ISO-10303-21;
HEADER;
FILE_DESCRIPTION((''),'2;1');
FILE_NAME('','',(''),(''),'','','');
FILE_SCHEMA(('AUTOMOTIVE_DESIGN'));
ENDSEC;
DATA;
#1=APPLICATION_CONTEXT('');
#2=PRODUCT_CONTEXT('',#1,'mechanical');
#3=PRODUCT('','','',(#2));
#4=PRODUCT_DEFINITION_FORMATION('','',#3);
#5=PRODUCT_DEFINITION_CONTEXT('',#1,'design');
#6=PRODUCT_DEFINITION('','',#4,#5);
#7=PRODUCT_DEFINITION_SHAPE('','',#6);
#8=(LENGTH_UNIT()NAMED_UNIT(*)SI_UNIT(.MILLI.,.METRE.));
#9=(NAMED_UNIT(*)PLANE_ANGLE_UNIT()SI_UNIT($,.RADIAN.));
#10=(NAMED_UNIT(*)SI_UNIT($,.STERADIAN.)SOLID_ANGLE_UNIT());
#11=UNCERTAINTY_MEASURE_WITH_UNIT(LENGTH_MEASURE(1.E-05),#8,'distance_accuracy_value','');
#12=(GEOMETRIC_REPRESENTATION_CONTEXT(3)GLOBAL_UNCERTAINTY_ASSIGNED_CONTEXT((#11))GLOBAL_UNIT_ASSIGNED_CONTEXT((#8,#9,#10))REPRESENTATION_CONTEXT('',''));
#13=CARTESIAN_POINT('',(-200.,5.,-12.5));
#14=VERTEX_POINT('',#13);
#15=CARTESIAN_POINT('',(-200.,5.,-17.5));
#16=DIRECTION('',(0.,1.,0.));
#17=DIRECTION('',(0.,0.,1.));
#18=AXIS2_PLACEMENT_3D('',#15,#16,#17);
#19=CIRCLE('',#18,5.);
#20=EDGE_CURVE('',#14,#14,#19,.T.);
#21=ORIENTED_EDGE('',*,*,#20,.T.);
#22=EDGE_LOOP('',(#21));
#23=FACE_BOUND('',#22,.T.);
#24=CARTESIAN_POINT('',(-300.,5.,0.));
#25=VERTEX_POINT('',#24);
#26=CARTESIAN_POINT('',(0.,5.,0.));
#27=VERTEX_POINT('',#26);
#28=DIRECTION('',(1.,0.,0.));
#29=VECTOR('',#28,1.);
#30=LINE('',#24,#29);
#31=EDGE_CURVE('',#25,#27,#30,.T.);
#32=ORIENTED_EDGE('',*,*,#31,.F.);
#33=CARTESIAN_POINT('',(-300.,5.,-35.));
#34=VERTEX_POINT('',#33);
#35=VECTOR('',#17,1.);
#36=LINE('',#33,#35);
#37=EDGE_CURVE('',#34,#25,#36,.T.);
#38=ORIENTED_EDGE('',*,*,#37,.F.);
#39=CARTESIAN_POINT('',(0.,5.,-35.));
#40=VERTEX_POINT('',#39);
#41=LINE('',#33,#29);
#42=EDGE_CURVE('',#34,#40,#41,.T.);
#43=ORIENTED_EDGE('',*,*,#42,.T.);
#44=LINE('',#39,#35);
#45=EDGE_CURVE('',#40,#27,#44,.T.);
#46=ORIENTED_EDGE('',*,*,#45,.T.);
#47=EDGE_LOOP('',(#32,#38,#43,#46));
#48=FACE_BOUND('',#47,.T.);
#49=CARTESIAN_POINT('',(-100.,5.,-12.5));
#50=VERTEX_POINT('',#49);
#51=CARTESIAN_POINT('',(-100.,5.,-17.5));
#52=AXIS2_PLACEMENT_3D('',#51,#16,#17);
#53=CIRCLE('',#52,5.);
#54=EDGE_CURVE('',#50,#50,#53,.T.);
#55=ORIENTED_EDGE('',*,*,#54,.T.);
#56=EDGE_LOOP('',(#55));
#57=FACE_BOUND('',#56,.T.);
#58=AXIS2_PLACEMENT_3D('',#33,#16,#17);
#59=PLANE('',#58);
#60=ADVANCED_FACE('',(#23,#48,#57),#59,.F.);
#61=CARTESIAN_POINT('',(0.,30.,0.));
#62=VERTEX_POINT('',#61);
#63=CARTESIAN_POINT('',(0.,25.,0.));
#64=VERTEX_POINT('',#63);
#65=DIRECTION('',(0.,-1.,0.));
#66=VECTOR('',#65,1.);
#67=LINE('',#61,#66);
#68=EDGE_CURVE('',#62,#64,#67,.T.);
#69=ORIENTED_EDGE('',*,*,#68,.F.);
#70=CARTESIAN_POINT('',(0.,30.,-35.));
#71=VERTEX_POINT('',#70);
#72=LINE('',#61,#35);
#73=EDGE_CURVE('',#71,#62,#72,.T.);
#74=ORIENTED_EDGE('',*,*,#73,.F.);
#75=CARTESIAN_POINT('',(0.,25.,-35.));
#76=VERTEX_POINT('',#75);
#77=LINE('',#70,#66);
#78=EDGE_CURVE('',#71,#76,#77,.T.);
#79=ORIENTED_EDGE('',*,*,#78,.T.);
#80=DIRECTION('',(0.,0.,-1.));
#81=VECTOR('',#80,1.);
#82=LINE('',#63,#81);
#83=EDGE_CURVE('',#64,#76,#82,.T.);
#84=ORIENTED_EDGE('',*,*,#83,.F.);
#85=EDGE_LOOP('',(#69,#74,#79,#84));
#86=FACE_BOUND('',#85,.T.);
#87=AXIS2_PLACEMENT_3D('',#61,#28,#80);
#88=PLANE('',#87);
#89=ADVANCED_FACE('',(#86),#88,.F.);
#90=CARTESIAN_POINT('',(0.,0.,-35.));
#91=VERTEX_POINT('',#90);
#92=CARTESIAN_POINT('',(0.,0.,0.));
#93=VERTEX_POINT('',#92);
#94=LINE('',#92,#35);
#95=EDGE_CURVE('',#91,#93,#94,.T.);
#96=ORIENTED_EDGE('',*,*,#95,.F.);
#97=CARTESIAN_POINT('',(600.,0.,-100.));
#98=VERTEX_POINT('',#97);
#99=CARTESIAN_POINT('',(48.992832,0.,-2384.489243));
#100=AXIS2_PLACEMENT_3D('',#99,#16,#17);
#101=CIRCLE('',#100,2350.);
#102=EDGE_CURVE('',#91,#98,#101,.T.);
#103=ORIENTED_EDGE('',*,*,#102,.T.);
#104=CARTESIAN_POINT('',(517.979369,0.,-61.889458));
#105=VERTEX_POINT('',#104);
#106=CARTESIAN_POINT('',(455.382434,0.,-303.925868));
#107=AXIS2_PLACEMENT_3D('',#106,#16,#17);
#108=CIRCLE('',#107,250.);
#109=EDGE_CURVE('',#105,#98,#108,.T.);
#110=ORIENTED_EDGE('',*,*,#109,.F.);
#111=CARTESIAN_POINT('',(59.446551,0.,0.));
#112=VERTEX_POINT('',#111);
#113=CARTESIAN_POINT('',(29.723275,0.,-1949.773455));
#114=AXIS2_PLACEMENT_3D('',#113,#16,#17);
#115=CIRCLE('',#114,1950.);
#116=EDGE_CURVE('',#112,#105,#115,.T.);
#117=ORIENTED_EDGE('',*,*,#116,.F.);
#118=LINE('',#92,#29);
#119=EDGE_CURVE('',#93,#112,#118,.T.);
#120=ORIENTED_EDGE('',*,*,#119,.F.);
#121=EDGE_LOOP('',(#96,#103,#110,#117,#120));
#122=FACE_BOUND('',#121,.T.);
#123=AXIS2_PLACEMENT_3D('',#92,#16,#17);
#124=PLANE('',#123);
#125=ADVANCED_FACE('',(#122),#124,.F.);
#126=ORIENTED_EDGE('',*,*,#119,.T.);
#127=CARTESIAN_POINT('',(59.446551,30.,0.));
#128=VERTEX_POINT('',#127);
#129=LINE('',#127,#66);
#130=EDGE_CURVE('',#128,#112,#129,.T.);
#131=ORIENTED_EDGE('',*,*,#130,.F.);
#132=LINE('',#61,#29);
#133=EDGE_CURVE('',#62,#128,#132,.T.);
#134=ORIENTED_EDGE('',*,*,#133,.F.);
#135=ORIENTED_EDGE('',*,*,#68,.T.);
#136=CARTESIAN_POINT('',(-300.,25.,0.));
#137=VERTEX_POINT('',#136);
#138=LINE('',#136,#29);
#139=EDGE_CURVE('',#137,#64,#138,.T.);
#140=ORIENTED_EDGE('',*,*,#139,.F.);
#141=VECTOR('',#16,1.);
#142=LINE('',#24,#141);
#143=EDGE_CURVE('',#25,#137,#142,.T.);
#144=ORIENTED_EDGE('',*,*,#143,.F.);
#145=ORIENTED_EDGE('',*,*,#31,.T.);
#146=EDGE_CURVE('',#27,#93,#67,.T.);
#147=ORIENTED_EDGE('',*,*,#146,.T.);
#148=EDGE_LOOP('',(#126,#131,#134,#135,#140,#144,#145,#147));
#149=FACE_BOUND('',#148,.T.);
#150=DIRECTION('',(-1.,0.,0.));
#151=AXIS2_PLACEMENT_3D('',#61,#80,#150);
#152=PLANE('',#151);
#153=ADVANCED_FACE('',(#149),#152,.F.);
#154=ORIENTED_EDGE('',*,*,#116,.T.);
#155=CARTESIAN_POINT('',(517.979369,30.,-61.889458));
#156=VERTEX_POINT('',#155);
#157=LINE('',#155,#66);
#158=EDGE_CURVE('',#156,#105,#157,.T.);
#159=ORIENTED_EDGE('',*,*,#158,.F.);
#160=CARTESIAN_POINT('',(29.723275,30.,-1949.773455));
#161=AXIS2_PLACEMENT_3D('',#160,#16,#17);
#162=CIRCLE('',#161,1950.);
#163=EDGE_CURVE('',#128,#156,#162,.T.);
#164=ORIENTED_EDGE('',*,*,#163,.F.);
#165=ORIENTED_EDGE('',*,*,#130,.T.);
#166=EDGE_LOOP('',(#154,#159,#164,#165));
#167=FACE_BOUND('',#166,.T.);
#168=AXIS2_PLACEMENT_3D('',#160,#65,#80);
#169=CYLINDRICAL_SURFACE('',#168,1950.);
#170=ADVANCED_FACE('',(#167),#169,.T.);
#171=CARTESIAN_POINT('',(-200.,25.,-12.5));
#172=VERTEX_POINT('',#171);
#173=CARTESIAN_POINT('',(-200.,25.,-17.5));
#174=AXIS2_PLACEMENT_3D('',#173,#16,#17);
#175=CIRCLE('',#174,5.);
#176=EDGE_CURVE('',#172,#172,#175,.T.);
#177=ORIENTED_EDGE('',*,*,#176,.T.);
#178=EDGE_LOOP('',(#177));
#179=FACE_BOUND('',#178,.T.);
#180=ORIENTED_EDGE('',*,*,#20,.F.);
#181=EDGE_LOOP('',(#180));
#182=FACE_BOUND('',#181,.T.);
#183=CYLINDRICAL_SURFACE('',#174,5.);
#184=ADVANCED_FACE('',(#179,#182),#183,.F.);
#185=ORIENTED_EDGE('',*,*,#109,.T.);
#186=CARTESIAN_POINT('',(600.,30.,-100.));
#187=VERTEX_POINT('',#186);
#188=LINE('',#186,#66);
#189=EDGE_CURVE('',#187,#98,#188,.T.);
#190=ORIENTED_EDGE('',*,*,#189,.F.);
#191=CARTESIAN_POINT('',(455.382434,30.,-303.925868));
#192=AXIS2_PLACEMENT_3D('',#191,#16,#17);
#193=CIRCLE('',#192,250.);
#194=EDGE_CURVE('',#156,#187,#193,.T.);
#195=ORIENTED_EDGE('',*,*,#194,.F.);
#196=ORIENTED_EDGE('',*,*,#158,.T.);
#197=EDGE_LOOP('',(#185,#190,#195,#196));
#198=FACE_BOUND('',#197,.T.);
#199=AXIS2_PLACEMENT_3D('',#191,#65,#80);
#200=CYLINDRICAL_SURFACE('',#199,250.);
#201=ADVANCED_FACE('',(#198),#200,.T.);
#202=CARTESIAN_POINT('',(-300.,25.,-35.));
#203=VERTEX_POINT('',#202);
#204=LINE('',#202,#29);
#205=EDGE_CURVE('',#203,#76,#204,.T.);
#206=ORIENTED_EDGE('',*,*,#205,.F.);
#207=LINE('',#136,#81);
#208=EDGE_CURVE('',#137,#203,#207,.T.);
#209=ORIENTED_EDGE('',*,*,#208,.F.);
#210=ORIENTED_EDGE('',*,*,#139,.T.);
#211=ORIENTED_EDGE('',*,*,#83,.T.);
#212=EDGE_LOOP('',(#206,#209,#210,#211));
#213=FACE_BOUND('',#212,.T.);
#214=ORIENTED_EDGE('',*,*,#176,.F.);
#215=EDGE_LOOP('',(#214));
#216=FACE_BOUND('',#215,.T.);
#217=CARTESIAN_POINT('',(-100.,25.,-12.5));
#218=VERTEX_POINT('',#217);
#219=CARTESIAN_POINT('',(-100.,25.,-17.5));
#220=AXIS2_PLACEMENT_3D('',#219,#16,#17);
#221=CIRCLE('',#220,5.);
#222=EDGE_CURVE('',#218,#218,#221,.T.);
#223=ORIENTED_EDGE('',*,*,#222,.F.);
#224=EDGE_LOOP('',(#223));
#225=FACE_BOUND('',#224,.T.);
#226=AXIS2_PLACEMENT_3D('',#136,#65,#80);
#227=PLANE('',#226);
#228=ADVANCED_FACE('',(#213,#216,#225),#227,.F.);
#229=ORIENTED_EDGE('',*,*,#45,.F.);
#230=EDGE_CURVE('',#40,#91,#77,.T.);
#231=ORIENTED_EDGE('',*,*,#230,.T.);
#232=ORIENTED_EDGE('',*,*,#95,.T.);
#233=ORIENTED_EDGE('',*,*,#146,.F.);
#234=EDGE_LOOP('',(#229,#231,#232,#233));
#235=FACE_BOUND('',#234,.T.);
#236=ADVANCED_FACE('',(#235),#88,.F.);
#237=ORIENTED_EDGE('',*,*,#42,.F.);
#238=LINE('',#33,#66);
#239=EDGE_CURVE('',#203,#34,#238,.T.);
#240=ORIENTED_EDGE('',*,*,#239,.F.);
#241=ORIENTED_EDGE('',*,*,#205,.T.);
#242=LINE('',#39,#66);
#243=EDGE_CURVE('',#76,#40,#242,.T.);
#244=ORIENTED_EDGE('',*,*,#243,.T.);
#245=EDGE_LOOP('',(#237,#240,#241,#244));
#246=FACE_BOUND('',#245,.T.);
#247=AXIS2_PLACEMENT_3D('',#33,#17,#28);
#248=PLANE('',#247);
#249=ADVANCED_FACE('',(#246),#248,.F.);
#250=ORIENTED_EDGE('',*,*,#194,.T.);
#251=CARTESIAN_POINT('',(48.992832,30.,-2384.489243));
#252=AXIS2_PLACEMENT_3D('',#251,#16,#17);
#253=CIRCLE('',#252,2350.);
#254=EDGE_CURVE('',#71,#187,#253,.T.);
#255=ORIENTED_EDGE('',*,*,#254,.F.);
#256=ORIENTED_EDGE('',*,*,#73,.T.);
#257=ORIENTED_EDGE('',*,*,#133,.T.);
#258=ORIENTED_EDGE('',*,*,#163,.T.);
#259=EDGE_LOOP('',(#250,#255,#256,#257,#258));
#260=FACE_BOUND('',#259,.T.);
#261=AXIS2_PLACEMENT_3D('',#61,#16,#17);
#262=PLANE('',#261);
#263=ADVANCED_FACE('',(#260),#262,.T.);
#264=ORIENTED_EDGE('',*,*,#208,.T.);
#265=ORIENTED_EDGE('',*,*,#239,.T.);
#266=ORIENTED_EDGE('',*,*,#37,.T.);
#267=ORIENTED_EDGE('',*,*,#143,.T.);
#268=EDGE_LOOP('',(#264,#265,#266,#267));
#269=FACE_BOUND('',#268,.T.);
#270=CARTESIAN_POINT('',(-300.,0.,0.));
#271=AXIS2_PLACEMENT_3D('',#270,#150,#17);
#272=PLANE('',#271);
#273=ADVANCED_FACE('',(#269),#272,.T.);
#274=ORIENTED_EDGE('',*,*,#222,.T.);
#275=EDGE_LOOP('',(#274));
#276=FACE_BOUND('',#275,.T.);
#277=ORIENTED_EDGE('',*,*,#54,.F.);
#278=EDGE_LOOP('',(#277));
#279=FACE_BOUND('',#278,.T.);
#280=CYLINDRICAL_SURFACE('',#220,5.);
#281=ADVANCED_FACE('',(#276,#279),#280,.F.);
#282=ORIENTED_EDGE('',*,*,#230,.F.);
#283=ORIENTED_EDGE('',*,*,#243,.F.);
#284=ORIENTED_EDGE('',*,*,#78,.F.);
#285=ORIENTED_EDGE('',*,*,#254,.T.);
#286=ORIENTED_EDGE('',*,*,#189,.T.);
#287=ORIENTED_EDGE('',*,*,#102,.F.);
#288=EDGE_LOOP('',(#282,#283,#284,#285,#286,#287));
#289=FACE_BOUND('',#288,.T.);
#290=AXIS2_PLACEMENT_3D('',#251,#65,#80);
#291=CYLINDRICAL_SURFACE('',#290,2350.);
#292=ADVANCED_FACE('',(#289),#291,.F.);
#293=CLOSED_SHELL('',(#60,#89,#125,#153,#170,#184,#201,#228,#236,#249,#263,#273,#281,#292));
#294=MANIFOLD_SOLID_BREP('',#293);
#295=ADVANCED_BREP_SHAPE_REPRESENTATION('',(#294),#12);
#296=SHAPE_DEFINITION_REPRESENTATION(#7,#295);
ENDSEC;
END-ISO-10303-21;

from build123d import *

# Parameters (mm, degrees)
BOSS_EXTRUDE1_DEPTH    = 30
SKETCH2_W              = 35
SKETCH2_H              = 20
BOSS_EXTRUDE2_DEPTH    = 300
F_10_0MM_DOWEL_HOLE1_D = 10


with BuildPart() as part:
    # Sketch1 → Boss-Extrude1 (new body)
    with BuildSketch(Plane(origin=(0, 0, 0), x_dir=(1, 0, 0), z_dir=(0, 1, 0))):
        with BuildLine():
            Line((0, 35), (0, 0))
            Line((0, 0), (59.446550687, 0))
            ThreePointArc((59.446550687, 0), (290.555085126, 17.296607549), (517.979369235, 61.889458105))
            ThreePointArc((517.979369235, 61.889458105), (560.727418369, 77.204818483), (600, 100))
            ThreePointArc((600, 100), (302.095278427, 48.158968364), (0, 35))
        make_face()
    extrude(amount=BOSS_EXTRUDE1_DEPTH)

    # Sketch2 → Boss-Extrude2 (add)
    with BuildSketch(Plane.ZY):
        with Locations((-17.5, 15)):
            Rectangle(SKETCH2_W, SKETCH2_H)
    extrude(amount=BOSS_EXTRUDE2_DEPTH)

    # Ø10.0mm Dowel Hole1 (through all)
    with Locations(Plane(origin=(0, 25, 0), x_dir=(1, 0, 0), z_dir=(0, 1, 0))):
        with Locations((-200, 17.5), (-100, 17.5)):
            Hole(F_10_0MM_DOWEL_HOLE1_D / 2)


solid = part.part
